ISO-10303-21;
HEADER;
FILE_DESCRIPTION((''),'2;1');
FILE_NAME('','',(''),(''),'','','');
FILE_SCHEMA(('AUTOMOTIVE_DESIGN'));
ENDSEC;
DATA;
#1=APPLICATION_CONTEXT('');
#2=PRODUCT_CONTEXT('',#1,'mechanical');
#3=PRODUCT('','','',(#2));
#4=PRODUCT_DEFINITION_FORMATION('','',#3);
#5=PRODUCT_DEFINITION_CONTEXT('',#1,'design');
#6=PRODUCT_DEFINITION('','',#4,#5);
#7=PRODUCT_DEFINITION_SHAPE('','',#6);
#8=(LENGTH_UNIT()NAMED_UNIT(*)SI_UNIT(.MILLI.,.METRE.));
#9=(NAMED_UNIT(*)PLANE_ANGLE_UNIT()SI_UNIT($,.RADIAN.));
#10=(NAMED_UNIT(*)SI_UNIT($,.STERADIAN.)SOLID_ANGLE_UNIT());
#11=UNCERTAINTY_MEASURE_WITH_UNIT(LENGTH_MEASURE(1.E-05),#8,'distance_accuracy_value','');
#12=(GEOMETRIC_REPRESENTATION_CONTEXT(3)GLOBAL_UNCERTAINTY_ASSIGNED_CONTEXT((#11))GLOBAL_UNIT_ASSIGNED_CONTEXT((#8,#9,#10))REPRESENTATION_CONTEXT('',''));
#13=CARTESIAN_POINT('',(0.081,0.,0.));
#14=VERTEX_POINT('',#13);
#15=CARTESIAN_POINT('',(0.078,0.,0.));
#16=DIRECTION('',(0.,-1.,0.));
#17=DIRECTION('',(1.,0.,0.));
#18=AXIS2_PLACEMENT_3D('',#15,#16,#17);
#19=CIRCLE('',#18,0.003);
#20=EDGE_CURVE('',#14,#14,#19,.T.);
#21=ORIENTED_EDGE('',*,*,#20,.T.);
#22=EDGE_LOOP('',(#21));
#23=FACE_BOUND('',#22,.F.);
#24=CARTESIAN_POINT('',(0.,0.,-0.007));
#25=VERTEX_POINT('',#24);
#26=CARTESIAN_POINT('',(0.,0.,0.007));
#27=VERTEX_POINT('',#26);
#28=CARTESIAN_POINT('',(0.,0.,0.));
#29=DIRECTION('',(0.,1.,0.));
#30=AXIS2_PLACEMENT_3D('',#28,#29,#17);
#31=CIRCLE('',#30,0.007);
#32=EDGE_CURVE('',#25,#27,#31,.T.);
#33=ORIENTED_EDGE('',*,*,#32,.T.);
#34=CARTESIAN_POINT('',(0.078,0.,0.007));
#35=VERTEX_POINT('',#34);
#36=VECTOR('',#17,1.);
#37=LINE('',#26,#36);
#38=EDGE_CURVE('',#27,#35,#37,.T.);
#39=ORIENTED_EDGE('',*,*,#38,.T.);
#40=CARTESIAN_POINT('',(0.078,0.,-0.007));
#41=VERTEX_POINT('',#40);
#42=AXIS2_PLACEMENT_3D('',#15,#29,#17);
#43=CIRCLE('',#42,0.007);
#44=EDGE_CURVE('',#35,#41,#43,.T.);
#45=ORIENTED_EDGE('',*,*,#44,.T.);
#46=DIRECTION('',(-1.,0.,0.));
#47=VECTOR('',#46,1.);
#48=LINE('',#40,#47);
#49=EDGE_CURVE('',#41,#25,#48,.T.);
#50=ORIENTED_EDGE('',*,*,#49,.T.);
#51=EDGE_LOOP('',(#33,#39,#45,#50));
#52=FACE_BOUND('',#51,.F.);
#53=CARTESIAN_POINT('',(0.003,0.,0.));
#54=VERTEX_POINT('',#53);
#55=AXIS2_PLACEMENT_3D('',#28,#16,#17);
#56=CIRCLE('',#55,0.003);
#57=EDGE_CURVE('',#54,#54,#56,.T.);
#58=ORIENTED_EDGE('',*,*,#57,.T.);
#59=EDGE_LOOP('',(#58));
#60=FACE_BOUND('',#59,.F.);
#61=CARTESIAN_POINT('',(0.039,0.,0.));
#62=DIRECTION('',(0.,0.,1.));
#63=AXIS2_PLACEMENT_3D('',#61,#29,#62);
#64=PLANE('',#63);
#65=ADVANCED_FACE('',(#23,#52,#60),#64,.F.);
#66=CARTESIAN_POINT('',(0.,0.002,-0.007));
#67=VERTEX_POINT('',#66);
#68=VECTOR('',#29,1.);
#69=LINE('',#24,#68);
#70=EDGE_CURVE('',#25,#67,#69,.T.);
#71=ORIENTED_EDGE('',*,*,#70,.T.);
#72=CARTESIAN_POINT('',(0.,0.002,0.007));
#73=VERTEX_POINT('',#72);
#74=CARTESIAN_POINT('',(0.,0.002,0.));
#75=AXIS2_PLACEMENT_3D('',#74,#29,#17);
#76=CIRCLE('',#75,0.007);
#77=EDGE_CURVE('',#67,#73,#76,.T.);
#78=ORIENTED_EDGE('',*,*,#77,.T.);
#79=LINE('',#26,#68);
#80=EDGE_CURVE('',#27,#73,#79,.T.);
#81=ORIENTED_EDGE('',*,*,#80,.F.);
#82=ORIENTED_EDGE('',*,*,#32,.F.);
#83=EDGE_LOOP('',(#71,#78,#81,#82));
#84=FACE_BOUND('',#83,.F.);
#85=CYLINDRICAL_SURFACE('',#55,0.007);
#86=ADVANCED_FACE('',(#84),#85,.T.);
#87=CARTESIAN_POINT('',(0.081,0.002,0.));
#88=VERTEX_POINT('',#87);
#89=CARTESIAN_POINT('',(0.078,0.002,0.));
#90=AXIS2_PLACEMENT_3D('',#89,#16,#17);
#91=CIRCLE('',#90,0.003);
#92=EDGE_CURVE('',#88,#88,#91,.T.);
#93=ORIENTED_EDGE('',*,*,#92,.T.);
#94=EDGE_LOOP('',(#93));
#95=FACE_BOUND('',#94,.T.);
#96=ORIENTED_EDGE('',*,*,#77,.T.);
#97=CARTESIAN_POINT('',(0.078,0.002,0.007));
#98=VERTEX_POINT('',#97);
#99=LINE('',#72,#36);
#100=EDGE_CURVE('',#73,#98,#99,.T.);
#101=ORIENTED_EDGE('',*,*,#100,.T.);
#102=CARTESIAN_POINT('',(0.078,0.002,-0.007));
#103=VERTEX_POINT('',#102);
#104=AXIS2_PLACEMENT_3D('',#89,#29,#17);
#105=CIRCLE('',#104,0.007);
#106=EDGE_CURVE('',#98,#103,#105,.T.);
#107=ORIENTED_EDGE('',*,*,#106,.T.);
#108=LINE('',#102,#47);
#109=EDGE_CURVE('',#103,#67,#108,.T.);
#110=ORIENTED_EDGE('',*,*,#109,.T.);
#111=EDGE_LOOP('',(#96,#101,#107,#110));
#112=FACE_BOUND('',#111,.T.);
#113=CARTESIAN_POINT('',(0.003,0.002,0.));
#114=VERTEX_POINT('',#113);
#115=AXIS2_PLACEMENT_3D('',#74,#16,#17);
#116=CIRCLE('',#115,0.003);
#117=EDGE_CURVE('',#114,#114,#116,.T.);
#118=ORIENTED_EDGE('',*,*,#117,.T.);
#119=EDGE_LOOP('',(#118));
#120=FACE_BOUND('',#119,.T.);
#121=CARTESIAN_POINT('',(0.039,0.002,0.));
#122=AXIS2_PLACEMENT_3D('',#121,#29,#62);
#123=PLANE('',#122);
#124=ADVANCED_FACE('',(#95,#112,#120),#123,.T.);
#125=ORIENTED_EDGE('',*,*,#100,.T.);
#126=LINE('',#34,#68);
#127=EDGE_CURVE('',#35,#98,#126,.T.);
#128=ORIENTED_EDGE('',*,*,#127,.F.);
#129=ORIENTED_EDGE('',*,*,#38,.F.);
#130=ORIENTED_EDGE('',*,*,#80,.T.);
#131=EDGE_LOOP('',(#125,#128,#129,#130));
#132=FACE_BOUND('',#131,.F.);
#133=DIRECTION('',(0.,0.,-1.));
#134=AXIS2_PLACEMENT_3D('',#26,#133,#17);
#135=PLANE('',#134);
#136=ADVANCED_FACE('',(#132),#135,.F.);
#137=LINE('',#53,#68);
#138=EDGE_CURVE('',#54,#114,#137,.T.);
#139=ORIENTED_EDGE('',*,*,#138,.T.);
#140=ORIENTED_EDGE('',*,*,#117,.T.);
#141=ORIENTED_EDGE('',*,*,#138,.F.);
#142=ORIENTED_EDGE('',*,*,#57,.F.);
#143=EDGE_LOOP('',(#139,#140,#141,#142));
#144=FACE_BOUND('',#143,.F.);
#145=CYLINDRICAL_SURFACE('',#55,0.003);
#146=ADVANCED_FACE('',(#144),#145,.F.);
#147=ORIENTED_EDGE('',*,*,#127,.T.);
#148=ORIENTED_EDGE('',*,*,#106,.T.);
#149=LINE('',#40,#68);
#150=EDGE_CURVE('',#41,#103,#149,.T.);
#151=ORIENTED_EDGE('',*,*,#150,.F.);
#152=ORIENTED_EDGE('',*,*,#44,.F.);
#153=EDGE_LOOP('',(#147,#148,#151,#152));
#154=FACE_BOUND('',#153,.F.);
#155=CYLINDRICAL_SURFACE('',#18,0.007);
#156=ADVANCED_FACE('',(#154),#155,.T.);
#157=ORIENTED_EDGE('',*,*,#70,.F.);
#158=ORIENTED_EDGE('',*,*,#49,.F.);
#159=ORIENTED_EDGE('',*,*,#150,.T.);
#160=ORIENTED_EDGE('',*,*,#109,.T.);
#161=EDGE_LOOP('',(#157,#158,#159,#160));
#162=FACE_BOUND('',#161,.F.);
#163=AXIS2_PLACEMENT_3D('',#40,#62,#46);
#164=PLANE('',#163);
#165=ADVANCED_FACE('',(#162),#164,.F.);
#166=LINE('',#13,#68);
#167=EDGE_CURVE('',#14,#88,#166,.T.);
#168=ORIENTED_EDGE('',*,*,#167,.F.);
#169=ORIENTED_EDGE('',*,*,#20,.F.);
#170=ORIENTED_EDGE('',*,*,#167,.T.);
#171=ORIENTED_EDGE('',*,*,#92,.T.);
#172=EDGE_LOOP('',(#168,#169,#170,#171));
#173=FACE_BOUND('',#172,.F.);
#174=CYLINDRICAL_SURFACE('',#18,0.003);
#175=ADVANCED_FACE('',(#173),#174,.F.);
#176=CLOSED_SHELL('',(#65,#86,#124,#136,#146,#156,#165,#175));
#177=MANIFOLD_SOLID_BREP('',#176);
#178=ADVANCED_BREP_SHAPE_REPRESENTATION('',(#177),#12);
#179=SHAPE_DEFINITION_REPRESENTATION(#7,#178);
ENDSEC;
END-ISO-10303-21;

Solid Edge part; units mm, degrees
sketch "Sketch1" plane through (0, 0, 0) normal (0, -1, 0) x (1, 0, 0)
  circle A0 centre (0.078, 0) radius 0.003
  line L0 (0, 0.007) -> (0.078, 0.007)
  line L1 (0.078, -0.007) -> (0, -0.007)
  arc A1 (0, -0.007) -> (0, 0.007) centre (0, 0) cw
  arc A2 (0.078, 0.007) -> (0.078, -0.007) centre (0.078, 0) cw
  circle A3 centre (0, 0) radius 0.003
extrude "Protrusion1" add sketch "Sketch1" against normal blind 0.002
